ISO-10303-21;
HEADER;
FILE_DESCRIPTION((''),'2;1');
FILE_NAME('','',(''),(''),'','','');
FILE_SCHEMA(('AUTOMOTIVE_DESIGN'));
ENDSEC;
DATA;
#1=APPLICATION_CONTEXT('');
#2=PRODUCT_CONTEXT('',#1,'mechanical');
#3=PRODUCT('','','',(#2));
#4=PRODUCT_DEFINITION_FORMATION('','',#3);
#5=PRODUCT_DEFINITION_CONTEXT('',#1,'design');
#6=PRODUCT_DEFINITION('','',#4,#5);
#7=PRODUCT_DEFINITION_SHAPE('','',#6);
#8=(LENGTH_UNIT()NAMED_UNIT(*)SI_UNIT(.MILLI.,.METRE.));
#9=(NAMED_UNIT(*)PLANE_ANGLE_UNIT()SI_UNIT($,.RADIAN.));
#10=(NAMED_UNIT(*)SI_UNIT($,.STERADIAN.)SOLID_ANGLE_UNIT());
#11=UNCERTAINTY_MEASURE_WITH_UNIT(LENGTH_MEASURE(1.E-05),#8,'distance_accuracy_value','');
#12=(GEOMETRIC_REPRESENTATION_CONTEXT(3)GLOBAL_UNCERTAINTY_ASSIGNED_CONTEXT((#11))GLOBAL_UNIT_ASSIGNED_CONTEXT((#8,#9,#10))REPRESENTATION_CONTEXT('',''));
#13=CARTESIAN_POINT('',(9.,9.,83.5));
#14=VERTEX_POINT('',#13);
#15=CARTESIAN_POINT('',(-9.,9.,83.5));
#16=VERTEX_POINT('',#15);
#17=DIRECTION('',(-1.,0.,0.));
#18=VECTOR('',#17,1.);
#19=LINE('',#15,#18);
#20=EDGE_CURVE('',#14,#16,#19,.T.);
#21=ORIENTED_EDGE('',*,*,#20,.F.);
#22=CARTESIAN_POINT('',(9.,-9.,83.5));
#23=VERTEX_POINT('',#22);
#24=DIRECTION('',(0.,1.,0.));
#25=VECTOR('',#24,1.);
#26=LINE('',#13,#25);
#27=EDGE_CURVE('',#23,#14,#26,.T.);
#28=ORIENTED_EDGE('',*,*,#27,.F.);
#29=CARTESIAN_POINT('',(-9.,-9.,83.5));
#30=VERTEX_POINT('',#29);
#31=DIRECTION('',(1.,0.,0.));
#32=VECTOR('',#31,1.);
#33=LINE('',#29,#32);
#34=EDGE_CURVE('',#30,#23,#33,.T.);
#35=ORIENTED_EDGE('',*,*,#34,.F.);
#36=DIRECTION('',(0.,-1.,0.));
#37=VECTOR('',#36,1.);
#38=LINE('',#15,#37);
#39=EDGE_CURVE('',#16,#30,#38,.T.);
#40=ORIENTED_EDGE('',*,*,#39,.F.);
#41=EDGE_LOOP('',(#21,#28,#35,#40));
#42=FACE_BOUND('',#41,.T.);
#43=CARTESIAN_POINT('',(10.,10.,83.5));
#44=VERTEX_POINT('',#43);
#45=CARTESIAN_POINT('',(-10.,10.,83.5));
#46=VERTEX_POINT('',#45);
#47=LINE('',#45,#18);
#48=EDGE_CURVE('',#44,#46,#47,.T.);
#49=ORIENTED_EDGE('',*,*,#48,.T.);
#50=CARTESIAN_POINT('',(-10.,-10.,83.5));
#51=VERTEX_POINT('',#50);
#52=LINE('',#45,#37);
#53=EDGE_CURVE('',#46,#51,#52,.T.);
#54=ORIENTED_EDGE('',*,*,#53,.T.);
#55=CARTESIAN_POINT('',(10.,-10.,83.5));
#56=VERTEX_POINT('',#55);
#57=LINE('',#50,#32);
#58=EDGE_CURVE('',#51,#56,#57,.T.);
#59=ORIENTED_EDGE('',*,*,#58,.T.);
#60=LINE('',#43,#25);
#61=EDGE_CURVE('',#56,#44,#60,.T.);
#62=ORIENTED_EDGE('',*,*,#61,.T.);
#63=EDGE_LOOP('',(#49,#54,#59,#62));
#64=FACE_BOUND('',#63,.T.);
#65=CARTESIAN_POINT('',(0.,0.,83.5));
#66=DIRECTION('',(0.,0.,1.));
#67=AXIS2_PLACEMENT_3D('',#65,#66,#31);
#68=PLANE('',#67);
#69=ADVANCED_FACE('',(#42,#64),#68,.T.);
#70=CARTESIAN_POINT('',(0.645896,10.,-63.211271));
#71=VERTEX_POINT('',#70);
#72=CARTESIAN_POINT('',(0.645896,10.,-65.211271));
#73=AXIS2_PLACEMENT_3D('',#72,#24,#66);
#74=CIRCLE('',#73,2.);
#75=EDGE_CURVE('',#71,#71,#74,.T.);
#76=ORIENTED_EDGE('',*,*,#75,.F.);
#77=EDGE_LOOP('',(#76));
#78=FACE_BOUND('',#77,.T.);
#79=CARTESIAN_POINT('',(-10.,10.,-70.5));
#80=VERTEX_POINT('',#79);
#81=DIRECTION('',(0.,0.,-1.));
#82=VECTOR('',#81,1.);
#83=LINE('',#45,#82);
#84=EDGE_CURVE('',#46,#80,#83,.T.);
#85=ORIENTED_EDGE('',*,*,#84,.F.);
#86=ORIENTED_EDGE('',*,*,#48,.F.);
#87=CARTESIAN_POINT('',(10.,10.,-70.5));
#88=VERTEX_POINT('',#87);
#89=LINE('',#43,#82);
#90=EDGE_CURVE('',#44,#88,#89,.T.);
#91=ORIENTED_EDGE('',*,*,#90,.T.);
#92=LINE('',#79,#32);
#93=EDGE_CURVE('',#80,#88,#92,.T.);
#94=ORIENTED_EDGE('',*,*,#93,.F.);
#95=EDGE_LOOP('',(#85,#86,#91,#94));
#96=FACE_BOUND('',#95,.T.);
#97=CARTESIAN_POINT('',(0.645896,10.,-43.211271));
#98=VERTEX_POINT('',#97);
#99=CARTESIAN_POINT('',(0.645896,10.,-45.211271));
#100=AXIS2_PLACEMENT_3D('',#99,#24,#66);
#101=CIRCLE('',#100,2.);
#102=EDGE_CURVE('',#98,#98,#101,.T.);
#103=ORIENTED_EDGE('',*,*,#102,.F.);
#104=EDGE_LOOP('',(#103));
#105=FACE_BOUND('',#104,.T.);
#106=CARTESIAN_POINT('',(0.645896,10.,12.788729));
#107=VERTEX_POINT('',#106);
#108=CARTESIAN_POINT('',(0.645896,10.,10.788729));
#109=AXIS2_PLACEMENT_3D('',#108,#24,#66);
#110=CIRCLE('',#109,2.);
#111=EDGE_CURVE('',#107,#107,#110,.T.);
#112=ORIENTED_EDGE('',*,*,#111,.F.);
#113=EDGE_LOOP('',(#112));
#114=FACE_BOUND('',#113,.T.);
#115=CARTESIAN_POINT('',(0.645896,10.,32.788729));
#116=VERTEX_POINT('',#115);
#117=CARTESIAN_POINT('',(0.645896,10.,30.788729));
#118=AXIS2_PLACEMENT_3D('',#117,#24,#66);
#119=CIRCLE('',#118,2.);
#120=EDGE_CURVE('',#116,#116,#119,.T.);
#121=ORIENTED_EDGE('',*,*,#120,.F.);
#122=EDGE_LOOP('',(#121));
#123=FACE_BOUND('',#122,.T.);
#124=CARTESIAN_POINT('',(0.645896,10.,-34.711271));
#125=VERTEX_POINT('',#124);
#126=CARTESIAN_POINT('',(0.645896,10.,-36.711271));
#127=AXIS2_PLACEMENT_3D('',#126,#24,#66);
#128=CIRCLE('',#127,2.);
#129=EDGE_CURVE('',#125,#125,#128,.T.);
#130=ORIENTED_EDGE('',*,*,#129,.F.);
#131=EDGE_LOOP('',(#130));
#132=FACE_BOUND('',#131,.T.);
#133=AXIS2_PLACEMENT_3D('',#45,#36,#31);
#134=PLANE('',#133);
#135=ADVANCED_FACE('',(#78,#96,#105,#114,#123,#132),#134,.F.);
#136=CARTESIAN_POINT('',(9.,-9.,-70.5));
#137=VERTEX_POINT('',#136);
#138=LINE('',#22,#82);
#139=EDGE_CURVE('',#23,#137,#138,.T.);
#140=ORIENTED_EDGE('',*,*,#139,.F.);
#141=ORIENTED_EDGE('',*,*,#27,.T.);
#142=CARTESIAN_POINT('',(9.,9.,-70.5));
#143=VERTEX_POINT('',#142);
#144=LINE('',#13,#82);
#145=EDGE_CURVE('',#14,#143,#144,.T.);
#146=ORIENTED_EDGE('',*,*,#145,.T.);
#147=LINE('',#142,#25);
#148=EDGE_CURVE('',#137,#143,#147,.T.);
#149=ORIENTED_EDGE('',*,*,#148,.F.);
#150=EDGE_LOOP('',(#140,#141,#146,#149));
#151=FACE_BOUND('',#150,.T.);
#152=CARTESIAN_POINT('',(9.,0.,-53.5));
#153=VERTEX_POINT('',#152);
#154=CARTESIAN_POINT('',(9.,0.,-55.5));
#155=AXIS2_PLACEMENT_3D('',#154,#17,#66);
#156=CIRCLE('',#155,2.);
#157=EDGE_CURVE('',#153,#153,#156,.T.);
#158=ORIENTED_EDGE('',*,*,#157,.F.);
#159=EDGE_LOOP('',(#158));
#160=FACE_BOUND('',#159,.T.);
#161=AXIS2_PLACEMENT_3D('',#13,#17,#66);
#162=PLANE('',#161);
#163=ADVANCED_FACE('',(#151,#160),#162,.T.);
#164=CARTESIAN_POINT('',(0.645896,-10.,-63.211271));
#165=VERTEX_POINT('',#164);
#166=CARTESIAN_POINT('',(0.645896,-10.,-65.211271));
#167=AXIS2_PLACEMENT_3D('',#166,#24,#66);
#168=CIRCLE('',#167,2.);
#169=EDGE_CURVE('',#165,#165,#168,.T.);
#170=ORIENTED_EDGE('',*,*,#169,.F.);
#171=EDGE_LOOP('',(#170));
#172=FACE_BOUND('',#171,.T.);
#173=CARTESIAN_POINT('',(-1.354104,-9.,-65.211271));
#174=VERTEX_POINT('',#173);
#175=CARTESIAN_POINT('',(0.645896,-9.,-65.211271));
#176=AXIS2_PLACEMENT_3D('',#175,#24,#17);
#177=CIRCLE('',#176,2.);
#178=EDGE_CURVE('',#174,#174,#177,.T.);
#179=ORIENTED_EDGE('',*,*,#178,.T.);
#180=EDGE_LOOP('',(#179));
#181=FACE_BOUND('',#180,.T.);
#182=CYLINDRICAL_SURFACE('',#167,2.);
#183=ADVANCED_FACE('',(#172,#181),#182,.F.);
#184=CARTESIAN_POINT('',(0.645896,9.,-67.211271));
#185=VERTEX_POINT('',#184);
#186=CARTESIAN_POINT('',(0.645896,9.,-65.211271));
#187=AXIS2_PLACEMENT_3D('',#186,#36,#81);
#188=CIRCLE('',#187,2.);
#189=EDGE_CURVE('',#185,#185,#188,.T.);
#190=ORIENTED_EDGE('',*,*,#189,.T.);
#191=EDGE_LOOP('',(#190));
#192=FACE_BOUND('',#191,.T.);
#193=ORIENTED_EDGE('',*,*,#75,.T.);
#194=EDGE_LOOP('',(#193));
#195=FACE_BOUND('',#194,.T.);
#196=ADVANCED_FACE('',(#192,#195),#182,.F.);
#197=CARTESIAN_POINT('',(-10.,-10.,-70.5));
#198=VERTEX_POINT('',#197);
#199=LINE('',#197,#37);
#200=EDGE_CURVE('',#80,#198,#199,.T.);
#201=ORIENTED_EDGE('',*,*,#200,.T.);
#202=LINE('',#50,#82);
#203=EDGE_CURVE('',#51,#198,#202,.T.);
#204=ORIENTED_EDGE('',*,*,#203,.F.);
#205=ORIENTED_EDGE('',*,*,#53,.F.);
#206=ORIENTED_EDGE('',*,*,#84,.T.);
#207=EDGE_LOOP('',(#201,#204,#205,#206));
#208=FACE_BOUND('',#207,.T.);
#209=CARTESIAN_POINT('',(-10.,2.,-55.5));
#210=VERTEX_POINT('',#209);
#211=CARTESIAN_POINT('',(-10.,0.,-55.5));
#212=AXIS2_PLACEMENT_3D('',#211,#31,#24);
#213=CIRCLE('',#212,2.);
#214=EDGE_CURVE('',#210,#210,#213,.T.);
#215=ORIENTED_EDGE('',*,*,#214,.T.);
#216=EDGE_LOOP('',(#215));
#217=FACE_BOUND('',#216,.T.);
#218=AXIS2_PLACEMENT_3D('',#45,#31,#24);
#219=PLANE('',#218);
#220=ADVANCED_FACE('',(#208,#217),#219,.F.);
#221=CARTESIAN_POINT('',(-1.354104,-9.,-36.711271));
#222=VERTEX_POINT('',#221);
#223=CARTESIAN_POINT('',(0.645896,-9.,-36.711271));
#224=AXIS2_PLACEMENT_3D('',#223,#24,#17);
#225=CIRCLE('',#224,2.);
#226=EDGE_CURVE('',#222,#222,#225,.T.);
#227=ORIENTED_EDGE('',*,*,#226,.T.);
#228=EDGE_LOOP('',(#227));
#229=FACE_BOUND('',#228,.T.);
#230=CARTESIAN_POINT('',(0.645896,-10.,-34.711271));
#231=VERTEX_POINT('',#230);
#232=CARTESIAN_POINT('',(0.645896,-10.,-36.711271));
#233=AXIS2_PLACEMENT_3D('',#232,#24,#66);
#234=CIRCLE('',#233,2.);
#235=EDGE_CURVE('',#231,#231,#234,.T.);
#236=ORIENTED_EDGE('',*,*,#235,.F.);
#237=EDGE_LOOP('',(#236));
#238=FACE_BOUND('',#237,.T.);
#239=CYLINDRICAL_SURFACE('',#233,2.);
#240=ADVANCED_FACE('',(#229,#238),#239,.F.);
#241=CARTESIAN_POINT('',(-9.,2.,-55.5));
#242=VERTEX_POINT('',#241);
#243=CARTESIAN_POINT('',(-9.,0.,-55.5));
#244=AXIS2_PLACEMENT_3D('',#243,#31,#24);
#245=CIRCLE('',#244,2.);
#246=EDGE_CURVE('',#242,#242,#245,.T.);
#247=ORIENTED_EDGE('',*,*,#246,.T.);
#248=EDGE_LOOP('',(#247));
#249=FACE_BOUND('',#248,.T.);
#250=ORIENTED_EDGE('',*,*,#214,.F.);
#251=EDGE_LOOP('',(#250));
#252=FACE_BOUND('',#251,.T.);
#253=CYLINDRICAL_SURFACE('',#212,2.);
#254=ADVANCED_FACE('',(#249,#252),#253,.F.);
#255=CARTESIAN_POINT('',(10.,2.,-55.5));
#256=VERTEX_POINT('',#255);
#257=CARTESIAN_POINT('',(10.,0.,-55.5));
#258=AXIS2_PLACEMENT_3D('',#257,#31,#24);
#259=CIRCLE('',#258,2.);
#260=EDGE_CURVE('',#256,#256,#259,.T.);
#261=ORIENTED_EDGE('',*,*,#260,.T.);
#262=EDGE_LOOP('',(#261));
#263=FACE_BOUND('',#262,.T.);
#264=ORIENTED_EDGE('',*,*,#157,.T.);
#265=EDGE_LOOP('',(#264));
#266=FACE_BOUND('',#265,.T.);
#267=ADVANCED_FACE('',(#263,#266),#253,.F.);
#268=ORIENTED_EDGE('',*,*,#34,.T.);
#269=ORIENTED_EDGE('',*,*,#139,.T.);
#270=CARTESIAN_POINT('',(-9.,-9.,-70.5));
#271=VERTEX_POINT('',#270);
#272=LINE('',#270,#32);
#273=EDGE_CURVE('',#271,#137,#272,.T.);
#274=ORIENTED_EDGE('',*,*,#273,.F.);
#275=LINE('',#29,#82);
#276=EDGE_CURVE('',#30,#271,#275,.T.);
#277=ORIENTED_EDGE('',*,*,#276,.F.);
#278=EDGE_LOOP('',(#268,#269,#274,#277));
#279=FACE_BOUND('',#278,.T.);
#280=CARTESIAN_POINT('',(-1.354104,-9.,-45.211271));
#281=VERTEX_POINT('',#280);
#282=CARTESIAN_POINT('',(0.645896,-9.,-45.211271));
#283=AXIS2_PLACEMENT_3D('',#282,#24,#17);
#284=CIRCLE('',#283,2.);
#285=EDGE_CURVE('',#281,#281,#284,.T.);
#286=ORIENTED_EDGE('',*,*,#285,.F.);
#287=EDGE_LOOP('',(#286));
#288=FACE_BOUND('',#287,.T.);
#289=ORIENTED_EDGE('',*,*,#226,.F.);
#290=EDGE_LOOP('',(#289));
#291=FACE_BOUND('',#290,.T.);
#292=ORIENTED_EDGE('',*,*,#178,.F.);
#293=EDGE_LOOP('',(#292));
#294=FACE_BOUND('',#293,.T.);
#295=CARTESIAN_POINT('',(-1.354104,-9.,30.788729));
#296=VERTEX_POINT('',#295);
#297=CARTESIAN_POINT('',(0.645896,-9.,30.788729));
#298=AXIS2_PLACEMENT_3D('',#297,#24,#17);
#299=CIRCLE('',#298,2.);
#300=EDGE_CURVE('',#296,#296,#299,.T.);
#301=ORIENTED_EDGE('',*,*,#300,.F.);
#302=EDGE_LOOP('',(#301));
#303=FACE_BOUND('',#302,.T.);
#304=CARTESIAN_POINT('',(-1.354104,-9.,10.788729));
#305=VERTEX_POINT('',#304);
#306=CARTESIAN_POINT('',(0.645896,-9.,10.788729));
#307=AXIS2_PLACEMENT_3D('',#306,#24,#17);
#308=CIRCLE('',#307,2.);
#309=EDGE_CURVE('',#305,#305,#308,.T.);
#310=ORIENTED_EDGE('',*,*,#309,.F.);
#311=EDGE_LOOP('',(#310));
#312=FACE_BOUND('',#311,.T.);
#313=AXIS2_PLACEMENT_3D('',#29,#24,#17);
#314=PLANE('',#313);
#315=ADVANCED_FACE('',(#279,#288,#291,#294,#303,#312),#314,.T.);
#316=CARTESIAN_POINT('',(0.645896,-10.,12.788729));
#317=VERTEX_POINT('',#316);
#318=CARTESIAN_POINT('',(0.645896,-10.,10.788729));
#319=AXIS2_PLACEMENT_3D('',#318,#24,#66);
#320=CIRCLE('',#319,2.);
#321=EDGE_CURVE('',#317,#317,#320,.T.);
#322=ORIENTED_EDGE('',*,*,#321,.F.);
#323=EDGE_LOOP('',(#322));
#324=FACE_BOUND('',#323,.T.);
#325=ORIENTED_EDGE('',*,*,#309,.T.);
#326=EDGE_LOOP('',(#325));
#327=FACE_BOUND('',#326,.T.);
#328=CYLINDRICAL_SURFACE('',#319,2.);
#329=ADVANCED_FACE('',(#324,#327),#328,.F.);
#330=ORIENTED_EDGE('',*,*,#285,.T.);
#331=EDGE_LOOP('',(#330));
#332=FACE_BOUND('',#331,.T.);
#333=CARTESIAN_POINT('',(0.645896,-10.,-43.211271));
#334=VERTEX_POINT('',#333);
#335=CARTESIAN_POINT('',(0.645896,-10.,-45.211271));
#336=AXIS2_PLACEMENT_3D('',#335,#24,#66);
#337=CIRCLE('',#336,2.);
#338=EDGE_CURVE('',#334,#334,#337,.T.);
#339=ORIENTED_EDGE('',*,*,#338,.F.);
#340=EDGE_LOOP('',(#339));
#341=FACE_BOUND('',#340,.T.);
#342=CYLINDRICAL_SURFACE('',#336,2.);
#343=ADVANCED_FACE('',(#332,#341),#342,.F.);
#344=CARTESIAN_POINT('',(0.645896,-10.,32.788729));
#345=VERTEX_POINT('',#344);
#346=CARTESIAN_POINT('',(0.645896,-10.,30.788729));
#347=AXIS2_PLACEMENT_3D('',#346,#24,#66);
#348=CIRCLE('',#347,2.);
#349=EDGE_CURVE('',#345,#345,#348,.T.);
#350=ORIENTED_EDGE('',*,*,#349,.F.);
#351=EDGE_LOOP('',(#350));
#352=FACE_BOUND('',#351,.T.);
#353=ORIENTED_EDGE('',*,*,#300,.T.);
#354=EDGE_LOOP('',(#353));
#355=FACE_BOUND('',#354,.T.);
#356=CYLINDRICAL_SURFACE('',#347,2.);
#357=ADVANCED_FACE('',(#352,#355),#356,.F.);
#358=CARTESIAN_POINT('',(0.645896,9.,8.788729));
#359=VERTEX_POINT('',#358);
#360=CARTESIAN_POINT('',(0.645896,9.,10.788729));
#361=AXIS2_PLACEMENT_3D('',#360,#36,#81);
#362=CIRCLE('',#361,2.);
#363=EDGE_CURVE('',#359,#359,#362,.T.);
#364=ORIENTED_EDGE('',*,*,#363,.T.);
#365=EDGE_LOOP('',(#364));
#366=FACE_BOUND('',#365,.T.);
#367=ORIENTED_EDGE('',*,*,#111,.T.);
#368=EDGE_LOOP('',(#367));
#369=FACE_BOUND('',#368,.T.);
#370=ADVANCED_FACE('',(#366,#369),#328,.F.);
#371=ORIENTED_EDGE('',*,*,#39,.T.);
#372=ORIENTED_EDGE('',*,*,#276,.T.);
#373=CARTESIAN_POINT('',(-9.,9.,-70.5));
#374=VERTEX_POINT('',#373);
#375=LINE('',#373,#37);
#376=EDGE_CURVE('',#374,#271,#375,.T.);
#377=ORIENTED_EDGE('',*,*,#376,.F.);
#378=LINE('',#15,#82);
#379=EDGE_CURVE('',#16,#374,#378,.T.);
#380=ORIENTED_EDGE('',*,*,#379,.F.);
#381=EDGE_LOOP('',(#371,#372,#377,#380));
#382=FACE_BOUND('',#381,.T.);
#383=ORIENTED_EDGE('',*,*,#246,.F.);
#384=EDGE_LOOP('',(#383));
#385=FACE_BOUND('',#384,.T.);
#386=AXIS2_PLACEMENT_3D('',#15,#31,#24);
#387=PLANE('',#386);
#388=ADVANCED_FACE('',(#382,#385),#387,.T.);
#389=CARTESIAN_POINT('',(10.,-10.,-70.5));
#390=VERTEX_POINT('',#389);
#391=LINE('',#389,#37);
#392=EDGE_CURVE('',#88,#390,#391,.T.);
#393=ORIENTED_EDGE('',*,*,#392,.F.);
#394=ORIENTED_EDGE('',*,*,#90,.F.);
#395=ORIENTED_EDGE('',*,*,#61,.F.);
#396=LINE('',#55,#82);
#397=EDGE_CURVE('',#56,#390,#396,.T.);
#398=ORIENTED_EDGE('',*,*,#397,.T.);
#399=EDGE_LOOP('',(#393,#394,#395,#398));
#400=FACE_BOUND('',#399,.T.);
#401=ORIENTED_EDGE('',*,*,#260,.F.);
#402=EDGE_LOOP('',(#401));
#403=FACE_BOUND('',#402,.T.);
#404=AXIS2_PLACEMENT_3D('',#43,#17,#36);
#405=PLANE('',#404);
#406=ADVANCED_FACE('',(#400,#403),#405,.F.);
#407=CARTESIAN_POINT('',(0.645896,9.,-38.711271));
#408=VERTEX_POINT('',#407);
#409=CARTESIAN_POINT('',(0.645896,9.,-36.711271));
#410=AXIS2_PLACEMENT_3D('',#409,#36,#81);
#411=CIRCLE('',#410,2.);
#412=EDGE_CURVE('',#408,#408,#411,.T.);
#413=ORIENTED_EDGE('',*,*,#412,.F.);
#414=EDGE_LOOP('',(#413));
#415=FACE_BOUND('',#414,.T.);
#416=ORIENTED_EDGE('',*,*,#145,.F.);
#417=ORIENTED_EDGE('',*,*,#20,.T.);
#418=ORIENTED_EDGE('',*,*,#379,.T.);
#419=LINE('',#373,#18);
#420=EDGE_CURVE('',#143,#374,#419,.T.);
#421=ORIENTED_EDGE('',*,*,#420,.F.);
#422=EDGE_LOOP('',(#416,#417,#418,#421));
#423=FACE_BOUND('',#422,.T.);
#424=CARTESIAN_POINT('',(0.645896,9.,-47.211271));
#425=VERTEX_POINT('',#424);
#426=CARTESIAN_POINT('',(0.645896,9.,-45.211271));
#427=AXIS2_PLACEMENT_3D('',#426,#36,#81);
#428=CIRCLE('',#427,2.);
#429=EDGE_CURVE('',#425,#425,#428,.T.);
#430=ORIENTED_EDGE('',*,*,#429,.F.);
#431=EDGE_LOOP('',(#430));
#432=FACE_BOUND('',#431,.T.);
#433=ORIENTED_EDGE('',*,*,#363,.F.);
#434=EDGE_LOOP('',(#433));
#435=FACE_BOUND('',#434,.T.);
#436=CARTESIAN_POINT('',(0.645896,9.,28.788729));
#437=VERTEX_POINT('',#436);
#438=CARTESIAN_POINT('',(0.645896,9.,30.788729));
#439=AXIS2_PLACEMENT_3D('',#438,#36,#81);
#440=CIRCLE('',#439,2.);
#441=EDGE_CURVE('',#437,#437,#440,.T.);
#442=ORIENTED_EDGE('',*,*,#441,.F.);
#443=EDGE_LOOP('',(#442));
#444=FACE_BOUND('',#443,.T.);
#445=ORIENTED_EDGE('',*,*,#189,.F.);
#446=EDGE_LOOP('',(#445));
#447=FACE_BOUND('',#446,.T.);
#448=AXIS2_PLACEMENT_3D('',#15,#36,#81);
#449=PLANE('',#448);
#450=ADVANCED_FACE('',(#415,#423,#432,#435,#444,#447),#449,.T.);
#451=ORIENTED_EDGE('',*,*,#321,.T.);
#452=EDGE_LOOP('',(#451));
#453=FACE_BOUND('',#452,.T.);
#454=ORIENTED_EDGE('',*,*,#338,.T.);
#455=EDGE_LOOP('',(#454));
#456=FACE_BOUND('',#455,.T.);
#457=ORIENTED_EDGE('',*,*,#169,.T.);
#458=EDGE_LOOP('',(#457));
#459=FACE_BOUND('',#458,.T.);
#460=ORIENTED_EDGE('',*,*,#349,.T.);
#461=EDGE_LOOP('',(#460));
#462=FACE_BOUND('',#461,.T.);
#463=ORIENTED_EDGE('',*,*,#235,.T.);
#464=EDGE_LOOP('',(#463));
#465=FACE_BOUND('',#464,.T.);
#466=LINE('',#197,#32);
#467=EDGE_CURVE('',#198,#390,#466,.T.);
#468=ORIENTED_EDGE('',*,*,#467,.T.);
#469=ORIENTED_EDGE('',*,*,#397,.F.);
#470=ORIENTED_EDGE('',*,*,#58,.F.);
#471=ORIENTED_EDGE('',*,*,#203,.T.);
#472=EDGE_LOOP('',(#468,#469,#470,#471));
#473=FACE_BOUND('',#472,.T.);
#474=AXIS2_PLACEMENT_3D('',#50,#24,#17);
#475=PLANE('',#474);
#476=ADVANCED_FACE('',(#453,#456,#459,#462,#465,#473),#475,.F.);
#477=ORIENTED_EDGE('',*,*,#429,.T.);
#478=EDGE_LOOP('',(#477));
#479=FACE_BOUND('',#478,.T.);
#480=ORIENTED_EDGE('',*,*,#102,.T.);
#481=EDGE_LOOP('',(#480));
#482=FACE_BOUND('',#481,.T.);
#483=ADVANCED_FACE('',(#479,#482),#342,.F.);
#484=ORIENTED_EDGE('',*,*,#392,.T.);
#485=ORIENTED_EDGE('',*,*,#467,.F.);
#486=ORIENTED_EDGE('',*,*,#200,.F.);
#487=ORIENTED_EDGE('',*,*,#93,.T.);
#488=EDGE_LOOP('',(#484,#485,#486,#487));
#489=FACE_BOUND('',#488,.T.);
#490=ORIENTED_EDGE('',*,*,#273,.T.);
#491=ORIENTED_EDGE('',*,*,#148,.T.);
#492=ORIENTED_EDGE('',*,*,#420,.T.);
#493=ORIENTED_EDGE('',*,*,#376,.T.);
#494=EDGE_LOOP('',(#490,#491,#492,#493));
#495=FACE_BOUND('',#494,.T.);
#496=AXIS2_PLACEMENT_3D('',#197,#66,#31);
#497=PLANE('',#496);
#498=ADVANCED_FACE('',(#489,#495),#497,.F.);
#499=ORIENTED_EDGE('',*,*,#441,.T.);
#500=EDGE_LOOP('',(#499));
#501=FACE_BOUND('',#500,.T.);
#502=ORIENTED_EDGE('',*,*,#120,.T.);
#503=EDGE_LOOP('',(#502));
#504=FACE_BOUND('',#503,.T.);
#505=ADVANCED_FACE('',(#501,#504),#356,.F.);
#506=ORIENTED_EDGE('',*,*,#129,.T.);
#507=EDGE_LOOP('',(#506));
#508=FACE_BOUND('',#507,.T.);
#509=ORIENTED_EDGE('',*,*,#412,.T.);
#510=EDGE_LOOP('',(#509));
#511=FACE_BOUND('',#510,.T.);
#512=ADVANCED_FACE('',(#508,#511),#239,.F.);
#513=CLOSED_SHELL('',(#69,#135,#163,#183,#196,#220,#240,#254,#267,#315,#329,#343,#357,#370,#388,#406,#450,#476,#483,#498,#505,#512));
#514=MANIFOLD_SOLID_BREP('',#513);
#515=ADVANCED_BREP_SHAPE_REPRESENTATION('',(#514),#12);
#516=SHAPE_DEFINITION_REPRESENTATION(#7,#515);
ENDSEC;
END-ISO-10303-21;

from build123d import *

# Parameters (mm, degrees)
SKETCH_1_W               = 20
SKETCH_1_H               = 20
SKETCH_1_W_2             = 18
SKETCH_1_H_2             = 18
EXTRUDE_1_DEPTH          = 83.5
CUT_EXTRUDE_2_DEPTH      = 85.689137438
CUT_EXTRUDE_2_DEPTH_BACK = 85.689137438
SKETCH_3_R               = 2
SKETCH_5_W               = 13
SKETCH_5_H               = 20
CUT_EXTRUDE_3_DEPTH      = 87.442177205
SKETCH_7_R               = 2
CUT_EXTRUDE_4_DEPTH      = 87.442177205


with BuildPart() as part:
    # 草图1 → 凸台-拉伸1 (new, symmetric)
    with BuildSketch(Plane.XY):
        Rectangle(SKETCH_1_W, SKETCH_1_H)
        Rectangle(SKETCH_1_W_2, SKETCH_1_H_2, mode=Mode.SUBTRACT)
    extrude(amount=EXTRUDE_1_DEPTH, both=True)

    # 草图3 → 切除-拉伸2 (cut, two sides: drawn at the far end of the back side and taken through both)
    with BuildSketch(Plane(origin=(0, 0, 0), x_dir=(1, 0, 0), z_dir=(0, 1, 0)).offset(-CUT_EXTRUDE_2_DEPTH_BACK)):
        with Locations(Location((0.645896247, -30.788728887, 0), (0, 0, 270))):
            Circle(SKETCH_3_R)
        with Locations(Location((0.645896247, -10.788728887, 0), (0, 0, 270))):
            Circle(SKETCH_3_R)
        with Locations(Location((0.645896247, 36.711271113, 0), (0, 0, 270))):
            Circle(SKETCH_3_R)
        with Locations(Location((0.645896247, 45.211271113, 0), (0, 0, 270))):
            Circle(SKETCH_3_R)
        with Locations(Location((0.645896247, 65.211271113, 0), (0, 0, 270))):
            Circle(SKETCH_3_R)
    extrude(amount=CUT_EXTRUDE_2_DEPTH + CUT_EXTRUDE_2_DEPTH_BACK, mode=Mode.SUBTRACT)

    # 草图5 → 切除-拉伸3 (cut, through all)
    with BuildSketch(Plane(origin=(10, 0, 0), x_dir=(0, 0, -1), z_dir=(1, 0, 0))):
        with Locations((77, 0)):
            Rectangle(SKETCH_5_W, SKETCH_5_H)
    extrude(amount=-CUT_EXTRUDE_3_DEPTH, mode=Mode.SUBTRACT)

    # 草图7 → 切除-拉伸4 (cut, through all)
    with BuildSketch(Plane(origin=(10, 0, 0), x_dir=(0, 0, -1), z_dir=(1, 0, 0))):
        with Locations(Location((55.5, 0, 0), (0, 0, 90))):
            Circle(SKETCH_7_R)
    extrude(amount=-CUT_EXTRUDE_4_DEPTH, mode=Mode.SUBTRACT)


solid = part.part
